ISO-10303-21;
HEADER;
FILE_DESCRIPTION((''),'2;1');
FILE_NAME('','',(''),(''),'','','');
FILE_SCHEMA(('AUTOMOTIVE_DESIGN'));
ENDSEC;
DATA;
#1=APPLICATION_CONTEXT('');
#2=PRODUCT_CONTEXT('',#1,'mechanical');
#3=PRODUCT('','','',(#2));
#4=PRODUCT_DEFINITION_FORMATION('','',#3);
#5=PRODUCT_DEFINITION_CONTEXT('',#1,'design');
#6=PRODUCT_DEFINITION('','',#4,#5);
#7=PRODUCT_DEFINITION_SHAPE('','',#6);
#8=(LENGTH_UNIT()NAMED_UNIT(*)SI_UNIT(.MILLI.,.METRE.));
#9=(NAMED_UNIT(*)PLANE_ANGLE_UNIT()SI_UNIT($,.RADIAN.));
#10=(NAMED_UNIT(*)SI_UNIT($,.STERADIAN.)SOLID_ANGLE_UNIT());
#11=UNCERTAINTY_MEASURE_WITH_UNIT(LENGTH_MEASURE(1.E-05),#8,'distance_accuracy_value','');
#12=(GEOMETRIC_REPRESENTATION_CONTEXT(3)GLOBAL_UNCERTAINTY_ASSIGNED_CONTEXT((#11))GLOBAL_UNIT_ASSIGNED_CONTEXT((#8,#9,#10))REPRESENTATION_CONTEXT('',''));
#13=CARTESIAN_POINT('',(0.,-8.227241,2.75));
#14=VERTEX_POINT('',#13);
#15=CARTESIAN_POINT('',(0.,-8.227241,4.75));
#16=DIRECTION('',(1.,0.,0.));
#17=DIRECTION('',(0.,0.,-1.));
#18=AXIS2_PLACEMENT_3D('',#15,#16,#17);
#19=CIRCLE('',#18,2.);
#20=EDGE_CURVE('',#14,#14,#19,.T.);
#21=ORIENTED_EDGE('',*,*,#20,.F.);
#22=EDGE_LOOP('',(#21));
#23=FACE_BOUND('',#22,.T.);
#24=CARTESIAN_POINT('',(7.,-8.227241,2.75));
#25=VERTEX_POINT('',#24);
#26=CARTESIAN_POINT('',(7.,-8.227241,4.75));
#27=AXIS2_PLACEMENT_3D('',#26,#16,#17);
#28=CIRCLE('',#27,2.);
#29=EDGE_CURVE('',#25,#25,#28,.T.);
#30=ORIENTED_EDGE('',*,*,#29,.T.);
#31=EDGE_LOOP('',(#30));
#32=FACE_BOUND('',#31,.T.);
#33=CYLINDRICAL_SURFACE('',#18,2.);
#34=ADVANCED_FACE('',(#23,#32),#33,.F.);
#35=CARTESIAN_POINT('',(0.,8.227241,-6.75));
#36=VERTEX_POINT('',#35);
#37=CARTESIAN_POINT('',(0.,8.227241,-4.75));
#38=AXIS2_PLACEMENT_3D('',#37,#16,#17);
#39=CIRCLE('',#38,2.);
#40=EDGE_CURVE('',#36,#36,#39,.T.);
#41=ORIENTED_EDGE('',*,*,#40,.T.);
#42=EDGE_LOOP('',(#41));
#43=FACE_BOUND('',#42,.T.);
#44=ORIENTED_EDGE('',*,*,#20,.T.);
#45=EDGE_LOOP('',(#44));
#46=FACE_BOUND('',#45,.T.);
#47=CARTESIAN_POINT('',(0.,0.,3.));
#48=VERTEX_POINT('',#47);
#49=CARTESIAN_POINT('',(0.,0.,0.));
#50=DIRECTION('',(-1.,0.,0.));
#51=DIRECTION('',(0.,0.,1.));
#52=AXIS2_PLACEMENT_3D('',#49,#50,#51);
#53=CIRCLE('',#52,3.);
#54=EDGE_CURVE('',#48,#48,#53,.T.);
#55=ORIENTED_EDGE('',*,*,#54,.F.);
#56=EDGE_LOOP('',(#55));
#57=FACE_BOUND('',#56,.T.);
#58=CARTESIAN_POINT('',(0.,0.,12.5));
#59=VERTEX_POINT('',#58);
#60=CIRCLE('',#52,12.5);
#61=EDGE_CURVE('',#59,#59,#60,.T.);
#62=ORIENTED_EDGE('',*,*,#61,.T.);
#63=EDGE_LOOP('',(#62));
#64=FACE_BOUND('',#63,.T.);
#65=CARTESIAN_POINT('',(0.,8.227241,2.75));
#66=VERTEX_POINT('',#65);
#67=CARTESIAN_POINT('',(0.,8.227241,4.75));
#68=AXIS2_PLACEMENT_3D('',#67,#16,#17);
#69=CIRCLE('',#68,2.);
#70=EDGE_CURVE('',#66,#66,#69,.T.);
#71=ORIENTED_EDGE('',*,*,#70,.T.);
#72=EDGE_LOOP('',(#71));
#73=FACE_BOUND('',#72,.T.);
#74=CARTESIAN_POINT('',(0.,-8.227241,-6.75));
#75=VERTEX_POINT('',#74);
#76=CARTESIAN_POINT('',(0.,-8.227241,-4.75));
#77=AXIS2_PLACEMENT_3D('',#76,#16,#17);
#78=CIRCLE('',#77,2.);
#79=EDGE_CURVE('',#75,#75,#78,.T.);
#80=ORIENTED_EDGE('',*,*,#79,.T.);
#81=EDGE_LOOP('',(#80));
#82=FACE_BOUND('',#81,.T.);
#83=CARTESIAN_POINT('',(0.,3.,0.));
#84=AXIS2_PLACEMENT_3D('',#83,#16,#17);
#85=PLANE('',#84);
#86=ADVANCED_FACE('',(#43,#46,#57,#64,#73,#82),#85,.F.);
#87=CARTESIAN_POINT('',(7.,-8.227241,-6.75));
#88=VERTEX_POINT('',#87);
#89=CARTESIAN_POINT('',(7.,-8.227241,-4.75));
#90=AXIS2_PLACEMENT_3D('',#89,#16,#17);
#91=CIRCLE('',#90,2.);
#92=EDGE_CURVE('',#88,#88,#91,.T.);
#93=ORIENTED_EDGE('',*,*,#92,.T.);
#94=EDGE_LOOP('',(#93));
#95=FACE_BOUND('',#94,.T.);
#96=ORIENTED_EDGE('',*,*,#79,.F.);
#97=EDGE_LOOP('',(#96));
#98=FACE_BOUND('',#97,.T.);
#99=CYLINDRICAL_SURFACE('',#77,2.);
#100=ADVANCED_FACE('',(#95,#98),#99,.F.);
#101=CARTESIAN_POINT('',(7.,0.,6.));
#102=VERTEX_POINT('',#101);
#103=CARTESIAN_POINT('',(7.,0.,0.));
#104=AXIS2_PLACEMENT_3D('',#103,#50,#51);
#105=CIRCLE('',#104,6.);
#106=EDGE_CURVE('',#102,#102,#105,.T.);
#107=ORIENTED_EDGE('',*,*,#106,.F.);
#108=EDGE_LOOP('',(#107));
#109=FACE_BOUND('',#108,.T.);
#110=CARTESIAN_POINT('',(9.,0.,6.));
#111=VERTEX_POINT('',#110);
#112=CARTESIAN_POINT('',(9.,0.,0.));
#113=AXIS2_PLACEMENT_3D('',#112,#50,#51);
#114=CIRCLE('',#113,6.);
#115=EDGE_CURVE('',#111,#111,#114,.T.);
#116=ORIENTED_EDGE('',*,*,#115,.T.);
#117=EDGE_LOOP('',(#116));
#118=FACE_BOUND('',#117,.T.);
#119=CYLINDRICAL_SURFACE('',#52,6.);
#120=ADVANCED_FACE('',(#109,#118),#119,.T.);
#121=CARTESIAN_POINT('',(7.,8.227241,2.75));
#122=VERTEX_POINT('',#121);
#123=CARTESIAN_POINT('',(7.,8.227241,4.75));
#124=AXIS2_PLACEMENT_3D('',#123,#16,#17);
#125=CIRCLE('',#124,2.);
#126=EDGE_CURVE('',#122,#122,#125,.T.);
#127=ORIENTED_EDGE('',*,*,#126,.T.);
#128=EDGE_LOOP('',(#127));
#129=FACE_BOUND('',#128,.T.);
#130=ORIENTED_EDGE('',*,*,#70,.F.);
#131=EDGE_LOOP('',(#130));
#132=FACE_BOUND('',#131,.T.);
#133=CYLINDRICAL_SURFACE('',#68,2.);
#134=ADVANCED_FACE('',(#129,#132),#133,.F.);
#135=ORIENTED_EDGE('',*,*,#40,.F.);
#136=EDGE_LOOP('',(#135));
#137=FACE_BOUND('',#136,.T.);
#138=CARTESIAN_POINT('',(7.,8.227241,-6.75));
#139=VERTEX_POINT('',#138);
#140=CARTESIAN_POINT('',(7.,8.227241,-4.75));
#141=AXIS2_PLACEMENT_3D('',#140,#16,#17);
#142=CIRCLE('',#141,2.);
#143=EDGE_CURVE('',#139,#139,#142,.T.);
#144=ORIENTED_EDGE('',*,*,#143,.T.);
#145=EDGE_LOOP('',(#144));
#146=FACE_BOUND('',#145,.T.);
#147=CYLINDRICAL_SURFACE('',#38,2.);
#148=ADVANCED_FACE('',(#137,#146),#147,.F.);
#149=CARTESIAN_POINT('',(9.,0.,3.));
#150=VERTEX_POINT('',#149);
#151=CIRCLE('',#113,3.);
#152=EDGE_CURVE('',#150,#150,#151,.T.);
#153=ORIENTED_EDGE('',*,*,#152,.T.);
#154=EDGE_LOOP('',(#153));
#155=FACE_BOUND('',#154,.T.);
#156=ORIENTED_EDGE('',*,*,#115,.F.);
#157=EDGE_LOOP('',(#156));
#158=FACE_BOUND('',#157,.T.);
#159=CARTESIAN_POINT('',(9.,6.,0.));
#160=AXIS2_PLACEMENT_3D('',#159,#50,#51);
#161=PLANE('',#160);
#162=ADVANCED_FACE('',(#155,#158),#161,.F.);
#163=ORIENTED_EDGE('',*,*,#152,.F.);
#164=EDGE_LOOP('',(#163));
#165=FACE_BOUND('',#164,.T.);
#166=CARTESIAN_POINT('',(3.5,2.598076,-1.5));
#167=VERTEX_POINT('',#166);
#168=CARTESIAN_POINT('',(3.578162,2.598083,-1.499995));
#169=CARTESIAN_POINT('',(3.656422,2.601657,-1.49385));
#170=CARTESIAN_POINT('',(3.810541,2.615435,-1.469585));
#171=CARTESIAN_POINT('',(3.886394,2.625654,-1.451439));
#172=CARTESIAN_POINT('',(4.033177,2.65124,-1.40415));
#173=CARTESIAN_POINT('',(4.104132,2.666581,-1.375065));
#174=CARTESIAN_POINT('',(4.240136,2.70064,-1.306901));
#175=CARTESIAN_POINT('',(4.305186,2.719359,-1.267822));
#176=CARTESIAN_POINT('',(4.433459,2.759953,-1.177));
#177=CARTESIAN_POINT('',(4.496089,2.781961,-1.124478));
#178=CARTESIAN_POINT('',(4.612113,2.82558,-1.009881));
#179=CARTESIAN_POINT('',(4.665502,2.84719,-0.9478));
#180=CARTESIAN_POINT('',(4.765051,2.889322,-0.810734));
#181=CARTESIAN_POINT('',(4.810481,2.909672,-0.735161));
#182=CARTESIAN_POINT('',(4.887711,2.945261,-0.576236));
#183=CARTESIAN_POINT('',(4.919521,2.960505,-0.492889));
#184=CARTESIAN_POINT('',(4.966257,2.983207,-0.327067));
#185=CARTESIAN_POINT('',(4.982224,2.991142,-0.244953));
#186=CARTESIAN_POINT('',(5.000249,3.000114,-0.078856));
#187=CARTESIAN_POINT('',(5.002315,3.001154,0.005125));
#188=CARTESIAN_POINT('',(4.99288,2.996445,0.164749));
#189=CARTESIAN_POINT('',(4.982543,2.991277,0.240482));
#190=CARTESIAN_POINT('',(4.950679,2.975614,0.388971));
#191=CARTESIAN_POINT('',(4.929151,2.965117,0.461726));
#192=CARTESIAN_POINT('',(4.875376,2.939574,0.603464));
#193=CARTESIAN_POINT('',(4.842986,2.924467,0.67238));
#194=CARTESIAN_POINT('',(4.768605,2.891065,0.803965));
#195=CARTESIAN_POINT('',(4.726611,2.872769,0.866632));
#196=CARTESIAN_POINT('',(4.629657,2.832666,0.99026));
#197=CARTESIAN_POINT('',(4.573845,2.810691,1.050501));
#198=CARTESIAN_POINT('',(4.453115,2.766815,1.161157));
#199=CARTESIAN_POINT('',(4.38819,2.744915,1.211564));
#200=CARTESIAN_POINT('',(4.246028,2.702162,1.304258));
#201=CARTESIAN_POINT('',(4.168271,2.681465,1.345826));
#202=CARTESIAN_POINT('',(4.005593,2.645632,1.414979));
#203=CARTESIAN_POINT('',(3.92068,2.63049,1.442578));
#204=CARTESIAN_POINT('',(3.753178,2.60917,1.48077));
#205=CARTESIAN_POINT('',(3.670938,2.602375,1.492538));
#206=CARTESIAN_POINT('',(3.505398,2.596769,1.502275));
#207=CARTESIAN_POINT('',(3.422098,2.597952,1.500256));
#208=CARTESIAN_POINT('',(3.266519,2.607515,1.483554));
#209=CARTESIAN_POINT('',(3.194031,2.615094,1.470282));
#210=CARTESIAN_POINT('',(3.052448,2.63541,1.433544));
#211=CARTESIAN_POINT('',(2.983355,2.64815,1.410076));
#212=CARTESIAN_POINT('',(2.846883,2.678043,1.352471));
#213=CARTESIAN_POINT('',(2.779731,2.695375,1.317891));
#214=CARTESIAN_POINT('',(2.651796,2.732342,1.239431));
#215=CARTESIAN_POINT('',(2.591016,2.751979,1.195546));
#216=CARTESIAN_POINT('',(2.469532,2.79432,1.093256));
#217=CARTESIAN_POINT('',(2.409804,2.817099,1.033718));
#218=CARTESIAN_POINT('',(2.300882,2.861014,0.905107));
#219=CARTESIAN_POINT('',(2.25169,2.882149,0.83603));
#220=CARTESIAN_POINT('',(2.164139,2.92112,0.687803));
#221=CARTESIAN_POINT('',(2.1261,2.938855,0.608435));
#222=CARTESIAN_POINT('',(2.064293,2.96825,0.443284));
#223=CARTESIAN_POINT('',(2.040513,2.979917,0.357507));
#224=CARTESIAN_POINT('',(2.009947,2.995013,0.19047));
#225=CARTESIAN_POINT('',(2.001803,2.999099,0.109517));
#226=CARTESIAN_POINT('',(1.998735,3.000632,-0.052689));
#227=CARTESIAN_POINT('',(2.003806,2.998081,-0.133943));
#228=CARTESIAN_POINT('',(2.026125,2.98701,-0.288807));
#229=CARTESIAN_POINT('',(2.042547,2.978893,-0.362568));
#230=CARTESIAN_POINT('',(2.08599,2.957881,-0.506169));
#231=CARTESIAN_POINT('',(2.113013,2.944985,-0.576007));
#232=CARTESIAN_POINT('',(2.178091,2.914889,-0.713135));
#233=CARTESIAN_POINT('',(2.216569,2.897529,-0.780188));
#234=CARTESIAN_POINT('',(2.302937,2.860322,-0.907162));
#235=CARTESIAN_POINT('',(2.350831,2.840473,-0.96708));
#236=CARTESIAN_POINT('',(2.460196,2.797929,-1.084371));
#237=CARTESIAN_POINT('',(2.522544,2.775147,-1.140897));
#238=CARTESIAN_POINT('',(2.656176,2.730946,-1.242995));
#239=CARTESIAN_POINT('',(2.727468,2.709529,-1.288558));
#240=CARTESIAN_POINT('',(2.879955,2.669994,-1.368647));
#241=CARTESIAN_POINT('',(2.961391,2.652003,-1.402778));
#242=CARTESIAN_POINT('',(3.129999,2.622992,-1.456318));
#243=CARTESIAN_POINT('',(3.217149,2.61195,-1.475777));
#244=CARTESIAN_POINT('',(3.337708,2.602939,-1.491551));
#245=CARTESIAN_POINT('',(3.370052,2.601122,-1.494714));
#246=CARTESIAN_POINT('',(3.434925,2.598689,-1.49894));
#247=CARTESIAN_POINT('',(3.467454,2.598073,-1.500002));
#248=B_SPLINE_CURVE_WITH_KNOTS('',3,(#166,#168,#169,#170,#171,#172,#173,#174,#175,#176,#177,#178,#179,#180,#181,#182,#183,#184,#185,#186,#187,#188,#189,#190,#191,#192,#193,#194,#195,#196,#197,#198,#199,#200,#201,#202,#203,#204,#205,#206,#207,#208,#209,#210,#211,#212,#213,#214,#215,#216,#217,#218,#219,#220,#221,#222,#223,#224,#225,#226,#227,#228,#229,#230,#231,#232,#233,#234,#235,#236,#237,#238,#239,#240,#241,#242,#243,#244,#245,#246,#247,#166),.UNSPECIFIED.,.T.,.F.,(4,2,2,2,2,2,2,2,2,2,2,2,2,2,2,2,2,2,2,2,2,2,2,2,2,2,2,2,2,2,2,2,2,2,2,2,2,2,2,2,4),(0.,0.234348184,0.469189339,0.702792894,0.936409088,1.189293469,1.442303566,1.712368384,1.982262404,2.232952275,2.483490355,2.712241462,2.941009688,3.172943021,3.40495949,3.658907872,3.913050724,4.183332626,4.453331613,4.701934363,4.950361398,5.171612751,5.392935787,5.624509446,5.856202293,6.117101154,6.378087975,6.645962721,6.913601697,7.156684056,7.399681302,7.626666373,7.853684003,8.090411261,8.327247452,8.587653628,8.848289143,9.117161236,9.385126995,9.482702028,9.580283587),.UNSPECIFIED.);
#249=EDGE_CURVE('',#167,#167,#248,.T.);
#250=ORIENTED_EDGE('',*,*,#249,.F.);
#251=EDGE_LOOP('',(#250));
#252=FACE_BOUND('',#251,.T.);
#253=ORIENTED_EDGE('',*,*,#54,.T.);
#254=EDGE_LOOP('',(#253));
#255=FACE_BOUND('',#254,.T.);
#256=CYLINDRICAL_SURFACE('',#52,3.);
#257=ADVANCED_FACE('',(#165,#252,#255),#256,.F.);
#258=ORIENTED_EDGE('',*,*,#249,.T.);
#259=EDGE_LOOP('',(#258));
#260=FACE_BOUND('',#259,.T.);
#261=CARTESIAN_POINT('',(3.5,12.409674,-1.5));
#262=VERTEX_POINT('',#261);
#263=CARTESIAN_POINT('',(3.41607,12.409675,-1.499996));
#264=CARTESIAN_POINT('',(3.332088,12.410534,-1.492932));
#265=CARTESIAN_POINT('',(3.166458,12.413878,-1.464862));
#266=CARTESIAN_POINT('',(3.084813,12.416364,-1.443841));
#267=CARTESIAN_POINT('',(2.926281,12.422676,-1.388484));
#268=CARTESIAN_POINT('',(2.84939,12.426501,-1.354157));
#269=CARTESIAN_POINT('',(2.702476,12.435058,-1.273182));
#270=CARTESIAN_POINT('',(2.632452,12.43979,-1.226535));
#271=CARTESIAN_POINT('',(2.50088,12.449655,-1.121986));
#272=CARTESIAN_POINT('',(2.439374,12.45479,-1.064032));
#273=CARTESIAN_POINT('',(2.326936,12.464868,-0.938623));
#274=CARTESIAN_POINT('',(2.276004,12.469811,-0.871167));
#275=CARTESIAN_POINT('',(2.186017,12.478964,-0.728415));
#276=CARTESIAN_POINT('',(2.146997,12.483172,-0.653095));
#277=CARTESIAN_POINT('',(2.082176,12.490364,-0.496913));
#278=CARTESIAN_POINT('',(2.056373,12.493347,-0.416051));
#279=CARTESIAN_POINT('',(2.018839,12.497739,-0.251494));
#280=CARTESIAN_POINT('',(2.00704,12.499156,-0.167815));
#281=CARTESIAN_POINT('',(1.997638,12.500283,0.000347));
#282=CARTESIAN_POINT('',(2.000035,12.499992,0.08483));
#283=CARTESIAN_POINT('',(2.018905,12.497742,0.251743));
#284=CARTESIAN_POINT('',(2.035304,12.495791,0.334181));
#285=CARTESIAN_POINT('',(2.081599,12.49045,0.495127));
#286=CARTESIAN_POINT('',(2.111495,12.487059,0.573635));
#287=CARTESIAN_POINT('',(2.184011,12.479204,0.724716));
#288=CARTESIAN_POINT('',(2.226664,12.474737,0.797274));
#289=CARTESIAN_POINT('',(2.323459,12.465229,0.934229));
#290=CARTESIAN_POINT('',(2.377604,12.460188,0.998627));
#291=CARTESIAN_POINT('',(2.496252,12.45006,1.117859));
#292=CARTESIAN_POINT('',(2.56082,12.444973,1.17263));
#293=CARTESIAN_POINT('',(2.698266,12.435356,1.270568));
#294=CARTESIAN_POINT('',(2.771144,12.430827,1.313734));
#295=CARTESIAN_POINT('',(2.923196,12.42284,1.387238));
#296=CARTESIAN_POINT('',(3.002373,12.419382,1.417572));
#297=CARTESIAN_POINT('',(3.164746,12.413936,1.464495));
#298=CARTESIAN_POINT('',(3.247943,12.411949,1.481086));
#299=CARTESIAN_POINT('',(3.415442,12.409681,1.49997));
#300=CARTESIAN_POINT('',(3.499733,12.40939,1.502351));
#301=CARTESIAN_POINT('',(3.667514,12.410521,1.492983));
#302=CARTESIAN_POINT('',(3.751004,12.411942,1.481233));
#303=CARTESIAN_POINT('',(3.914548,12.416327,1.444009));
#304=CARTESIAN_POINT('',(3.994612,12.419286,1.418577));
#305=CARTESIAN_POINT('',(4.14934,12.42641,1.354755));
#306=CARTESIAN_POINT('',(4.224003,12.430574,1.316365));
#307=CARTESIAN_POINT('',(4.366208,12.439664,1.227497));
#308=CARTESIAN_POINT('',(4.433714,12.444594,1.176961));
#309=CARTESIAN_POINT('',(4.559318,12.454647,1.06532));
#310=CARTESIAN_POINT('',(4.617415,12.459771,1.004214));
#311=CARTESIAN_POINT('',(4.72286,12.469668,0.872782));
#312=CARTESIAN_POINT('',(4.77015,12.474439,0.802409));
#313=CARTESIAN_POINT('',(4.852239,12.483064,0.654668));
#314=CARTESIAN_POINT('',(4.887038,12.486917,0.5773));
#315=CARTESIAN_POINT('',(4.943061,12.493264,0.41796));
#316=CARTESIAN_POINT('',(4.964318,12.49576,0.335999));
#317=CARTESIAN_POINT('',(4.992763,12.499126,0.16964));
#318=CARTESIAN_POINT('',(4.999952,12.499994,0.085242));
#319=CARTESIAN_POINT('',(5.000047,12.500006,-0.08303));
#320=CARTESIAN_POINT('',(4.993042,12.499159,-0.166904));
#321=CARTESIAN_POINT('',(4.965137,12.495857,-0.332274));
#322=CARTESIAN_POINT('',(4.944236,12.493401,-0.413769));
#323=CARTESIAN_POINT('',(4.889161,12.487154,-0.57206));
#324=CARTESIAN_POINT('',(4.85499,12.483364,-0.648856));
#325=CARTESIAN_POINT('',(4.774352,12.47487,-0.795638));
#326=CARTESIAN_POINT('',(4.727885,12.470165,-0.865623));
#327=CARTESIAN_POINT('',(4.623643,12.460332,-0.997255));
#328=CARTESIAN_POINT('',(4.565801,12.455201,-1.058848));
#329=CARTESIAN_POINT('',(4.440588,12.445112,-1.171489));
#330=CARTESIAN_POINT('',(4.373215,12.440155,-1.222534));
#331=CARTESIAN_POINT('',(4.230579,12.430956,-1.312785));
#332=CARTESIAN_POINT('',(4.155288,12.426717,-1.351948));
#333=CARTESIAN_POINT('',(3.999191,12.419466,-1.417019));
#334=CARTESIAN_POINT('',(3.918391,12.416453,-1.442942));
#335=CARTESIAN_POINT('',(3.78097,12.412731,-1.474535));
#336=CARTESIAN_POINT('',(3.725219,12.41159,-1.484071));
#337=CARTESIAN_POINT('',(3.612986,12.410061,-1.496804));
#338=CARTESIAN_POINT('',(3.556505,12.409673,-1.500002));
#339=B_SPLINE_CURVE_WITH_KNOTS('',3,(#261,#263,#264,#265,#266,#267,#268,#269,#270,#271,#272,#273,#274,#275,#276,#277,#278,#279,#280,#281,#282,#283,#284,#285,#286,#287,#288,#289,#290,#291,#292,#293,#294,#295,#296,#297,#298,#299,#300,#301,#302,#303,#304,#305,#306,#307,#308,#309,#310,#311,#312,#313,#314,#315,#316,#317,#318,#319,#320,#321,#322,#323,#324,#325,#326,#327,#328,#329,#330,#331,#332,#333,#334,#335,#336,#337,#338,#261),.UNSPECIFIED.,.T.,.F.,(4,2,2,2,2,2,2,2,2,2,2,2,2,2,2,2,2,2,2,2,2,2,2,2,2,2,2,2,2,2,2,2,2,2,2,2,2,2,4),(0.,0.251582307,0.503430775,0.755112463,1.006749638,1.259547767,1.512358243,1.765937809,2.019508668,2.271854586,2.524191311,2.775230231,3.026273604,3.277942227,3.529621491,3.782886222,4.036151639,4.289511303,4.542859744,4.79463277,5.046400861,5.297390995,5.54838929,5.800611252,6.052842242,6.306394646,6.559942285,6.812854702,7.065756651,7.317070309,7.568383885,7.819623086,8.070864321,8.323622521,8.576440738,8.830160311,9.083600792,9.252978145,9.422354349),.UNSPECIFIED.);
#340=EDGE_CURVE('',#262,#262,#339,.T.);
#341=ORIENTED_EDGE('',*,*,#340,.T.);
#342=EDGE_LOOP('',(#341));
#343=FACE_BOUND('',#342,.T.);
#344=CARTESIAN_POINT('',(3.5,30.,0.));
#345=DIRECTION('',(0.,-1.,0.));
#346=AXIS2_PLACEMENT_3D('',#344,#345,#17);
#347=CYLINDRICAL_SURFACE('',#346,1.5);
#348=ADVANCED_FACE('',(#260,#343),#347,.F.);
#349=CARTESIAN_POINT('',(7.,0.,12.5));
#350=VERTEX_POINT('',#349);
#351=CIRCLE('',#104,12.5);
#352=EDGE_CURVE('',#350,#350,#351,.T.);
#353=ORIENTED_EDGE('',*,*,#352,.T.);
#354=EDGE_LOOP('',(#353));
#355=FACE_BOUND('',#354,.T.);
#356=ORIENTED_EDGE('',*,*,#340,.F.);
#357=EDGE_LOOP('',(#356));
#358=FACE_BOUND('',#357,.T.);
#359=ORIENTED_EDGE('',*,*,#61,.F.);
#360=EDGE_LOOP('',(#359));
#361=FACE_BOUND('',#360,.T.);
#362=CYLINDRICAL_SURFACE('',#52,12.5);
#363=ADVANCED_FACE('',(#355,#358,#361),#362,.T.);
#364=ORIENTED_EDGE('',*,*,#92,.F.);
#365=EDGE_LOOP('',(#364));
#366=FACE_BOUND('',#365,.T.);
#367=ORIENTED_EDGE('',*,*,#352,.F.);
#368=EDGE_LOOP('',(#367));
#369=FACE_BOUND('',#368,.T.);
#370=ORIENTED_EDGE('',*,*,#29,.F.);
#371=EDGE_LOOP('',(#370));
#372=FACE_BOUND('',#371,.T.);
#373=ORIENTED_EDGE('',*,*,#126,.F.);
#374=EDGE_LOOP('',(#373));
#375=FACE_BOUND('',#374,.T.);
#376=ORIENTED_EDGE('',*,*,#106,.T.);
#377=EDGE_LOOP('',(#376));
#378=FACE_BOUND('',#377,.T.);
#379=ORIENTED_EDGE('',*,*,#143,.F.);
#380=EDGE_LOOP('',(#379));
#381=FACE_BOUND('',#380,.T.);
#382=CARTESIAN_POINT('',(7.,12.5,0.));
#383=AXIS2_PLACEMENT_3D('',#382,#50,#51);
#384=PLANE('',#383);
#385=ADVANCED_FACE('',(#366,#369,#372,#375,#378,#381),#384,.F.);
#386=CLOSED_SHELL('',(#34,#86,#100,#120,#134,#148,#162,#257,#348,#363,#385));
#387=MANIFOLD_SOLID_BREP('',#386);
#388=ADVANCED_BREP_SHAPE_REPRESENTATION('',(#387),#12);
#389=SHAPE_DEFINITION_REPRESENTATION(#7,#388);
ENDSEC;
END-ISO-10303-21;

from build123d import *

# Parameters (mm, degrees)
ESQUISSE2_R             = 2
ENL_V_MAT_EXTRU_1_DEPTH = 8
ESQUISSE3_R             = 1.5
ENL_V_MAT_EXTRU_2_DEPTH = 30


with BuildPart() as part:
    # Esquisse1 → Révolution1 (revolve)
    with BuildSketch(Plane.XY):
        Polygon((0, 3), (0, 12.5), (7, 12.5), (7, 6), (9, 6), (9, 3), align=None)
    revolve(axis=Axis((0, 0, 0), (1, 0, 0)))

    # Esquisse2 → Enlèv. mat.-Extru.1 (cut, through all)
    with BuildSketch(Plane(origin=(7, 0, 0), x_dir=(0, 0, -1), z_dir=(1, 0, 0))):
        with Locations((-4.75, 8.227241336)):
            Circle(ESQUISSE2_R)
        with Locations((4.75, 8.227241336)):
            Circle(ESQUISSE2_R)
        with Locations((-4.75, -8.227241336)):
            Circle(ESQUISSE2_R)
        with Locations((4.75, -8.227241336)):
            Circle(ESQUISSE2_R)
    extrude(amount=-ENL_V_MAT_EXTRU_1_DEPTH, mode=Mode.SUBTRACT)

    # Esquisse3 → Enlèv. mat.-Extru.2 (cut)
    with BuildSketch(Plane(origin=(0, 0, 0), x_dir=(1, 0, 0), z_dir=(0, 1, 0))):
        with Locations((3.5, 0)):
            Circle(ESQUISSE3_R)
    extrude(amount=ENL_V_MAT_EXTRU_2_DEPTH, mode=Mode.SUBTRACT)


solid = part.part
